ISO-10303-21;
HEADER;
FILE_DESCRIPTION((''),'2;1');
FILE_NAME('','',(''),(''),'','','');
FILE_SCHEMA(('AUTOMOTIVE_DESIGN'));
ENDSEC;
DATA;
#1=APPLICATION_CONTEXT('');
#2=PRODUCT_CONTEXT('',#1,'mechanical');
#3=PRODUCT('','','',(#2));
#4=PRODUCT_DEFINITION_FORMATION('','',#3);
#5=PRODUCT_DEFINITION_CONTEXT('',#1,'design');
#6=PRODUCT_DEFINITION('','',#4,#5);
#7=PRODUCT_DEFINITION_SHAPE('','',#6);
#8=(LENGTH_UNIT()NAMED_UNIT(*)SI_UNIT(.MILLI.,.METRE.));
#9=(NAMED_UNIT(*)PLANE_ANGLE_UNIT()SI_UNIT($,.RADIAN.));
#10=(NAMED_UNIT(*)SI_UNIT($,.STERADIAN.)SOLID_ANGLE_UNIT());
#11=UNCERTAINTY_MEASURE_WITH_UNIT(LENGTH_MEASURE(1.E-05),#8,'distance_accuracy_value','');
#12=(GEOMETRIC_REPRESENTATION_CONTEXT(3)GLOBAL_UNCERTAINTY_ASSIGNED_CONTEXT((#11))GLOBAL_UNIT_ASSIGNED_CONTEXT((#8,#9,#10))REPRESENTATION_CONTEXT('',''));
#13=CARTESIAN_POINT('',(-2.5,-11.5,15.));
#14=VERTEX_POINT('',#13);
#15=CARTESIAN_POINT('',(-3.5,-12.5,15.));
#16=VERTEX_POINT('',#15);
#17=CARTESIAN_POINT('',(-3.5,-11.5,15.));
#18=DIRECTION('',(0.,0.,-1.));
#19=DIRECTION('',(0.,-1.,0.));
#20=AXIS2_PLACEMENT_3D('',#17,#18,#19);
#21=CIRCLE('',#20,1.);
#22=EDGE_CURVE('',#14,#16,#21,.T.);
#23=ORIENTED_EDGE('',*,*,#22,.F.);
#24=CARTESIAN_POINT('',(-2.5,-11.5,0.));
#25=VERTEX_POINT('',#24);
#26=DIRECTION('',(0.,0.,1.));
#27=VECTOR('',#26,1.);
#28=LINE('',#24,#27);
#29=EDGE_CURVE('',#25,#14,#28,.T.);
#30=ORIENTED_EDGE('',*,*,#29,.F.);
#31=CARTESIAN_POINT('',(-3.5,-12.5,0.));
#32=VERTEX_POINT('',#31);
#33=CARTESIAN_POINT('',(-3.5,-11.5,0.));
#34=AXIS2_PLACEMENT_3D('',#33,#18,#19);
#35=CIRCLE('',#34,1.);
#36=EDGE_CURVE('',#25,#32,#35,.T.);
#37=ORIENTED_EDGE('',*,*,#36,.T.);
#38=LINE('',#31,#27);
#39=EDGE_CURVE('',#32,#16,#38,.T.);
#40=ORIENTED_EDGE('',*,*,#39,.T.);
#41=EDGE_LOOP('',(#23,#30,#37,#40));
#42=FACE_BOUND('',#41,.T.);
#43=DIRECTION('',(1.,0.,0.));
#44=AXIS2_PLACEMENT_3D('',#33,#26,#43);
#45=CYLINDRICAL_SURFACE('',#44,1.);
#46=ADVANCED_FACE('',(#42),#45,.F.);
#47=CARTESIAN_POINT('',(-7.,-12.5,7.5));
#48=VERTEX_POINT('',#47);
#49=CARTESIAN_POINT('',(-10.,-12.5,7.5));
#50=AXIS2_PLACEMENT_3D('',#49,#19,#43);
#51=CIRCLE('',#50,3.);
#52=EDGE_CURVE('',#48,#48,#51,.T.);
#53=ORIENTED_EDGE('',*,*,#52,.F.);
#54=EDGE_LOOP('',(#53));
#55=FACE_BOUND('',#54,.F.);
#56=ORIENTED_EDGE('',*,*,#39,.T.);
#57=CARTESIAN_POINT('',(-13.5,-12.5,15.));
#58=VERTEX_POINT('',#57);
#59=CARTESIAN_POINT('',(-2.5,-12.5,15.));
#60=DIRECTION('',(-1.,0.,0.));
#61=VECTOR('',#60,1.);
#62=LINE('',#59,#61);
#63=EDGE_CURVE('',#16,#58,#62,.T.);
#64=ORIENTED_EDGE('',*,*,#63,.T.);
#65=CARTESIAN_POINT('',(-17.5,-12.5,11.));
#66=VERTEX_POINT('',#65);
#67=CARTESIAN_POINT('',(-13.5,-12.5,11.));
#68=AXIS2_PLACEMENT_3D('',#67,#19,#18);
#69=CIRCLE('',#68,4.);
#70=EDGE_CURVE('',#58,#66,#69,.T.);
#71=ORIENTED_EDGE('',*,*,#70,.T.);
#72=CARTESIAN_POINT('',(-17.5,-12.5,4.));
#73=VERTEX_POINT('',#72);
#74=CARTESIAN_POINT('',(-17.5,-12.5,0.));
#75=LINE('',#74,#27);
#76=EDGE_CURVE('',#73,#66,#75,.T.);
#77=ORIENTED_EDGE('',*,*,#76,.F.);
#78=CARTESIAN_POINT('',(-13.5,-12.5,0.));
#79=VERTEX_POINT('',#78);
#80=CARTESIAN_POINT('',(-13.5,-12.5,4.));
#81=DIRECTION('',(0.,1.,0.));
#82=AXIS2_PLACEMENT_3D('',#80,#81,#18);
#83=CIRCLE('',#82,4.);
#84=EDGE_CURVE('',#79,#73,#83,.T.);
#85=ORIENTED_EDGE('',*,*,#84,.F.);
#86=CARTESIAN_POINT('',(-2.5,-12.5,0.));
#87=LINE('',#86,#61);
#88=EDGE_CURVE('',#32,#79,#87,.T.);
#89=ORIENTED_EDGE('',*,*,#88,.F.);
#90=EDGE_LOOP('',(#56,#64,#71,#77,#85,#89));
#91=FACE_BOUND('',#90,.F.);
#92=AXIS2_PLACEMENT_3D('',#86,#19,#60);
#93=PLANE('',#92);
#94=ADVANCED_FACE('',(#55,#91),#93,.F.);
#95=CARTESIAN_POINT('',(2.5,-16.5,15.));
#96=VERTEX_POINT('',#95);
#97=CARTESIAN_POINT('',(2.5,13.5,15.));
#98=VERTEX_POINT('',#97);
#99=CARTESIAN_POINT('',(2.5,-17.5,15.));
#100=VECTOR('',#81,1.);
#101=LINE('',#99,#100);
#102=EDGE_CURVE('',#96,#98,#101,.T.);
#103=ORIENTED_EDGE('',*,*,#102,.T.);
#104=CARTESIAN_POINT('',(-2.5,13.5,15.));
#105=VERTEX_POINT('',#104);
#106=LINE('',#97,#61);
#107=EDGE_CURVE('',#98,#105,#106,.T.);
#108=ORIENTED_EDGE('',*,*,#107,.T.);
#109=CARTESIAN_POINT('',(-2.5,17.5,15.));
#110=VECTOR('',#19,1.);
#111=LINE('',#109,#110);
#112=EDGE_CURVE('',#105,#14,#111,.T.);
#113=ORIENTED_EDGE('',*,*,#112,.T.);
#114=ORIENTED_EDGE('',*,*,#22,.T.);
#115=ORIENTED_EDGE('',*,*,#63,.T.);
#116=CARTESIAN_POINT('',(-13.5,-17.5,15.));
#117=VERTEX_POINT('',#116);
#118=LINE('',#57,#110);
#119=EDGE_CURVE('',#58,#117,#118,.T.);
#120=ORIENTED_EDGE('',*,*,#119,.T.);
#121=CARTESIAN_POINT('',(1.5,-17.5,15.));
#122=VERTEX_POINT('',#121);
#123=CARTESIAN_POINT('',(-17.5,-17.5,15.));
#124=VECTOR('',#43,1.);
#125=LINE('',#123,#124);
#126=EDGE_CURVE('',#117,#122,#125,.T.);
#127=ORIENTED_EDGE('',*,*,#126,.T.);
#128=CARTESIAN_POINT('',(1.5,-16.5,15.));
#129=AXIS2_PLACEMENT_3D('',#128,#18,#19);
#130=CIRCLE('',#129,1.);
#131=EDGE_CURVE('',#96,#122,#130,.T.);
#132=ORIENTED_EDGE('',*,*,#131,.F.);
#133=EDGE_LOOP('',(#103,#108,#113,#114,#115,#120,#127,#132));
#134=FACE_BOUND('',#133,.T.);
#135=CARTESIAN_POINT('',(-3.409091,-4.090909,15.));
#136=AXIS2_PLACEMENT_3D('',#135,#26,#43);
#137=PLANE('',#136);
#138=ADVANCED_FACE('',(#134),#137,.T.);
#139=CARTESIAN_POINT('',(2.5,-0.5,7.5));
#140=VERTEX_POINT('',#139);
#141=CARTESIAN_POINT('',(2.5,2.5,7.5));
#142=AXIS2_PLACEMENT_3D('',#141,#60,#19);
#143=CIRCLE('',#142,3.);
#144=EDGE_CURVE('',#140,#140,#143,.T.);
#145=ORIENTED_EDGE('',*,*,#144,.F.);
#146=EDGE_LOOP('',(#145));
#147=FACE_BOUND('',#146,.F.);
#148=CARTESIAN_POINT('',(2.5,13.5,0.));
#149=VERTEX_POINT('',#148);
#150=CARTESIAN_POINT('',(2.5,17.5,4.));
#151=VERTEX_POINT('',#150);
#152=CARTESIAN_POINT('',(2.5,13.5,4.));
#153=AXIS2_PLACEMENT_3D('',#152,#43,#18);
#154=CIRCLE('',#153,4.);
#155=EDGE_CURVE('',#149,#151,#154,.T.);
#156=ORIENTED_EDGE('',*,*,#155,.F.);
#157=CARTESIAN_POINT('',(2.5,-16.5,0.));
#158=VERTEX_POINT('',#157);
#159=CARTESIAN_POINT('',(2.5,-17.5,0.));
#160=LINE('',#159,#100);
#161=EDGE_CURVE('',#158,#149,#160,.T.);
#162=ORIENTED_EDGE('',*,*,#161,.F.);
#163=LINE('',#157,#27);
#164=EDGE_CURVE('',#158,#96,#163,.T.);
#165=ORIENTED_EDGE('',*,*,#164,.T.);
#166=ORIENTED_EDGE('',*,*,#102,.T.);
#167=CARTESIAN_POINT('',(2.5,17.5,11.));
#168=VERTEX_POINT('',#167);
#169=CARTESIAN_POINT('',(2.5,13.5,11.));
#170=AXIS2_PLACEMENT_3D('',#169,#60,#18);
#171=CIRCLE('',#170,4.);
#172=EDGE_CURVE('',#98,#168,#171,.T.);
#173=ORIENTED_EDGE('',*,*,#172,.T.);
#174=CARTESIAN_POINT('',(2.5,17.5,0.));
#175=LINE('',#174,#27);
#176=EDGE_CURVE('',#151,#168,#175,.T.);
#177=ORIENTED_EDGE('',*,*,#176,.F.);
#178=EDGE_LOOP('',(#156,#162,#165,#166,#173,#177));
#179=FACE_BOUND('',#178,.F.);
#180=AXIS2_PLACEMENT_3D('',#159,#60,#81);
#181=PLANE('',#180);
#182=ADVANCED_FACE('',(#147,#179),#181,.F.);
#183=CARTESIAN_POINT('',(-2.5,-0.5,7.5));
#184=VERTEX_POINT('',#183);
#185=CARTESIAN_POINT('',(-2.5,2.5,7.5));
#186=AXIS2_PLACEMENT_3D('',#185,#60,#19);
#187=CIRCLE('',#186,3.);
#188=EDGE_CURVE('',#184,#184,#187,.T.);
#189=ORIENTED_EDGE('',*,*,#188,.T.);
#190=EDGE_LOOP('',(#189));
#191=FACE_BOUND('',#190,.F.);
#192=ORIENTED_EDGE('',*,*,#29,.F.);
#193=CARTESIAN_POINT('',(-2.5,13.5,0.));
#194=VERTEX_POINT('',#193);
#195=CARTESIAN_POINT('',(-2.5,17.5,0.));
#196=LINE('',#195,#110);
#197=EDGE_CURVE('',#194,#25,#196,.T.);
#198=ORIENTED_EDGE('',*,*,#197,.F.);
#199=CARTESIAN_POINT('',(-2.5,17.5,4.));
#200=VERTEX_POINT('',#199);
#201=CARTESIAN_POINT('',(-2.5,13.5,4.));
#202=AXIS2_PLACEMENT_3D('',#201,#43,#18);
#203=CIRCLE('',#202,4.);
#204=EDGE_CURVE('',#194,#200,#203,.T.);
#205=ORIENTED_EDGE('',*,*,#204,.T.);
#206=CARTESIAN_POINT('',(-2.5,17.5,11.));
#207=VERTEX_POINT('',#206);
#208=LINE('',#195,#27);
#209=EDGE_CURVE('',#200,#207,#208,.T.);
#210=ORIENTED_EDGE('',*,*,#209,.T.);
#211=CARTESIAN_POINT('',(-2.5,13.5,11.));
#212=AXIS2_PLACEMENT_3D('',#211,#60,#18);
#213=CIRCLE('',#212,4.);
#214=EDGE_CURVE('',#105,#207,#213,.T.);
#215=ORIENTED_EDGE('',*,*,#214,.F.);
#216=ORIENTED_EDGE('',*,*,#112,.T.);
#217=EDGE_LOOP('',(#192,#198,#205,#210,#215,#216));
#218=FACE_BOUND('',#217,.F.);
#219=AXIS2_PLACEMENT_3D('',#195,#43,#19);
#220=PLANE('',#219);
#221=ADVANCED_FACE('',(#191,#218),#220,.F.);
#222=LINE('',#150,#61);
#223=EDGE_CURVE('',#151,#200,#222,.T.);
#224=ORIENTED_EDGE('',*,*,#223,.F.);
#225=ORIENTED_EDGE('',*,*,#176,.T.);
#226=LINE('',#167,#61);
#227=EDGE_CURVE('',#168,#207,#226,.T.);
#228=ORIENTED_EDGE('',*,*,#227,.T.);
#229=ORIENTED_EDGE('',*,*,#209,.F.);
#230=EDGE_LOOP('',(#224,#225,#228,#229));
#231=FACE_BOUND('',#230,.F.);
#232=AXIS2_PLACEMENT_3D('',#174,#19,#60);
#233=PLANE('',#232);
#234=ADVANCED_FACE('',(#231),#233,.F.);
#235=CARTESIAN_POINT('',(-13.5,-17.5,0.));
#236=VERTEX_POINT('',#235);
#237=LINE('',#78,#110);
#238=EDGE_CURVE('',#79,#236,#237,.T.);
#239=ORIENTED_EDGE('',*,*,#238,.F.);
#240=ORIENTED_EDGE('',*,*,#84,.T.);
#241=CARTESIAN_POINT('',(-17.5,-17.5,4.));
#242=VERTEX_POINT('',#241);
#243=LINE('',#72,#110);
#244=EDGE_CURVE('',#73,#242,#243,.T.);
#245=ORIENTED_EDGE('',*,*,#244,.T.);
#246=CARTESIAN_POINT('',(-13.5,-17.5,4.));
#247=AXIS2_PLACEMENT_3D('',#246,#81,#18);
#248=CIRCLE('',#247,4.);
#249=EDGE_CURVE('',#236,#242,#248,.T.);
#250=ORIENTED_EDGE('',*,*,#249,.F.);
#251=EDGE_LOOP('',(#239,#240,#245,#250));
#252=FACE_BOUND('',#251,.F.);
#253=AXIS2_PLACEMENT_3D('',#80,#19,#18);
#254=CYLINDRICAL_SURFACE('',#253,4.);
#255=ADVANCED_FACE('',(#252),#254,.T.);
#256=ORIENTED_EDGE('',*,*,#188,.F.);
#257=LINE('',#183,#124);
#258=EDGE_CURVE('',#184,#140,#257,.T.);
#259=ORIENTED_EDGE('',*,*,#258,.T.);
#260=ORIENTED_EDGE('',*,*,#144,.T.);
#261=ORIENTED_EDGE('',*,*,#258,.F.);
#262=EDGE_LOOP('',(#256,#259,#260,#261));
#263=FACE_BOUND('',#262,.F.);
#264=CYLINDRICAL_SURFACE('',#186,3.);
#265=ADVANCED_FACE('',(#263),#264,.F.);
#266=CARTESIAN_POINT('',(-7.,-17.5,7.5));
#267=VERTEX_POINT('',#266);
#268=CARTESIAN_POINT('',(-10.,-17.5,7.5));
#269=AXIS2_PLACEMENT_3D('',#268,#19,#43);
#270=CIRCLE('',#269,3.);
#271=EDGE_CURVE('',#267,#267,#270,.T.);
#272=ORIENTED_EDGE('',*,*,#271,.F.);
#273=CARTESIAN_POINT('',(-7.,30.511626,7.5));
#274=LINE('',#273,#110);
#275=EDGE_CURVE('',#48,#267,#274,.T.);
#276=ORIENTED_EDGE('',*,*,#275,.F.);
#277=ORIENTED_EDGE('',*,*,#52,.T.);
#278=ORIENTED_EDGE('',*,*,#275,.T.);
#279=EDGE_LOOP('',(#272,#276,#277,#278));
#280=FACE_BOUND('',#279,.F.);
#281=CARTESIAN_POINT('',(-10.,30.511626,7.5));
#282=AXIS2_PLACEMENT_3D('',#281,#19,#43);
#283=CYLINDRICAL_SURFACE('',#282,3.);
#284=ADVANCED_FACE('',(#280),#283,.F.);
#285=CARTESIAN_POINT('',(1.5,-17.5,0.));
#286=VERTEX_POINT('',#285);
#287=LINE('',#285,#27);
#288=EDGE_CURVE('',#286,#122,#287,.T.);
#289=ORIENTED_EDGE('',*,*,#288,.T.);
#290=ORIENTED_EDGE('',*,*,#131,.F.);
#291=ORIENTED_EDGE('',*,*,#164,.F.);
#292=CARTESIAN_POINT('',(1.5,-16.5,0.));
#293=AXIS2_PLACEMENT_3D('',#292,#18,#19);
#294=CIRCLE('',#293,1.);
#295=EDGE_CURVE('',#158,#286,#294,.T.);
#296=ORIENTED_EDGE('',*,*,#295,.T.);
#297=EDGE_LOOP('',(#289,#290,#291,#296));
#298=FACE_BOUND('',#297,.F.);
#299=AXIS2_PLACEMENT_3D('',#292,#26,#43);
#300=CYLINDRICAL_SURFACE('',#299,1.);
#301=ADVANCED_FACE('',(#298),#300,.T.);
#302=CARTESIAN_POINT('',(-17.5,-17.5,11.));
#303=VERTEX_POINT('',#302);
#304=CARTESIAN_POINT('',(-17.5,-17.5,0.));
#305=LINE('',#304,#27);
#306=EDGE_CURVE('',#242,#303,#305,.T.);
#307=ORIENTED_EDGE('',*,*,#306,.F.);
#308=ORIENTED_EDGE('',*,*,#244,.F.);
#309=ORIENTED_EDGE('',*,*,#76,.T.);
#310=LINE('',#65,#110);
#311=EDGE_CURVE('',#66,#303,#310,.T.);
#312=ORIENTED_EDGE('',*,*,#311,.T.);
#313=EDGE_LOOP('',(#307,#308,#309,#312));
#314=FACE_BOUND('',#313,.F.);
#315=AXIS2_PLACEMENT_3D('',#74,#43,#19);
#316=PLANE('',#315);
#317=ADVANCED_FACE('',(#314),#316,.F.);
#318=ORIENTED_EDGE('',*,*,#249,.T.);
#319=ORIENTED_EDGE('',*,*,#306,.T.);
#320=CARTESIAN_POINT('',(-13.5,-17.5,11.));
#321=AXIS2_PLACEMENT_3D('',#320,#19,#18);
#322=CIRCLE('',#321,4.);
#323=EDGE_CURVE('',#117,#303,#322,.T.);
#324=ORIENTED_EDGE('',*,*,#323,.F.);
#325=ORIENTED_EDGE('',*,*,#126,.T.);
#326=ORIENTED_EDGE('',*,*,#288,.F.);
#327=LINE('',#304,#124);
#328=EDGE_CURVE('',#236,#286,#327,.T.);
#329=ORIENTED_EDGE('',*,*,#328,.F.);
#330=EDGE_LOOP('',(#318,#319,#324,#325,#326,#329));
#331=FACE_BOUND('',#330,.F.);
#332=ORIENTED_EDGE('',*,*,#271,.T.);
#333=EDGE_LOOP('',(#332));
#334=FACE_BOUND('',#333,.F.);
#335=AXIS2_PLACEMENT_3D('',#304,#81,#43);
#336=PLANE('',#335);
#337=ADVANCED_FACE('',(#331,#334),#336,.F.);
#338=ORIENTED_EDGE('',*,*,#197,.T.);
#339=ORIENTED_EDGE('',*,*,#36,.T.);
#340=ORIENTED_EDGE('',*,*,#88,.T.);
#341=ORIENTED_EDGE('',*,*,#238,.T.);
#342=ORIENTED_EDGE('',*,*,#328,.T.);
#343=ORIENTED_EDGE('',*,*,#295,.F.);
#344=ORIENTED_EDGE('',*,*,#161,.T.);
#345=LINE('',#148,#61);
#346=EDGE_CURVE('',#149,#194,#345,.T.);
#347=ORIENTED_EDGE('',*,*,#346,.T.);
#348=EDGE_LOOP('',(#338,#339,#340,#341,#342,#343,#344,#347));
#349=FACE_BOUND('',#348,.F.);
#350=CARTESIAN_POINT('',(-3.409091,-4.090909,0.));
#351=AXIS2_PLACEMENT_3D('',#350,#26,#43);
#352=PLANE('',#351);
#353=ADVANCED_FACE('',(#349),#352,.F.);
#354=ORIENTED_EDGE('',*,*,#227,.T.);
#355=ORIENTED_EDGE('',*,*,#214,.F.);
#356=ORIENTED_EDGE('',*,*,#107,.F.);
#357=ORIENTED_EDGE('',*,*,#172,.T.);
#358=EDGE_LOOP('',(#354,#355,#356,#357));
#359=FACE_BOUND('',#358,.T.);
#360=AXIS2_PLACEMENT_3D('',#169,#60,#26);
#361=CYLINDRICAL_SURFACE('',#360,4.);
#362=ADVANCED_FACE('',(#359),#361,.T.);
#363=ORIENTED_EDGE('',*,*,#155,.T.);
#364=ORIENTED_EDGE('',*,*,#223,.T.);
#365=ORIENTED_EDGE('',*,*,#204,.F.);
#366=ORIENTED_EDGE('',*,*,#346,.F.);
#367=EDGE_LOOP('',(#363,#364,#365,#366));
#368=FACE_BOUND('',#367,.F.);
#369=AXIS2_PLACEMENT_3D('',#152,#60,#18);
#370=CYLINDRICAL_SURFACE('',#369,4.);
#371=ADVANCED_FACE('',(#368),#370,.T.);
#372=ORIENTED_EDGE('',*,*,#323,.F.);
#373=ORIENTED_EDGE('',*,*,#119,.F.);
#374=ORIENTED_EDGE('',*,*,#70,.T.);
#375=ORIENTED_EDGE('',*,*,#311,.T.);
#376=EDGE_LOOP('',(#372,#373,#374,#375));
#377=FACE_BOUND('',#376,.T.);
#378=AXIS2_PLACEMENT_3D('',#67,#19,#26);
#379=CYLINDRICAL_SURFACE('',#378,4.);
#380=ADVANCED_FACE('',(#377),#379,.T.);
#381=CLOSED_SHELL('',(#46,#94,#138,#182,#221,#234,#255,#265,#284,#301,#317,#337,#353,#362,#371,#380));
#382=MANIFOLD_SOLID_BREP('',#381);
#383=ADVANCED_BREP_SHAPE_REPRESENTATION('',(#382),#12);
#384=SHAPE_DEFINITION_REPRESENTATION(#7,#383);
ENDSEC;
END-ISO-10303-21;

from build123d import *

# Parameters (mm, degrees)
F5_DEPTH = 15
F0_R     = 3
F1_DEPTH = 5
F7_R     = 4
F8_R     = 1
F2_R     = 1
F3_D     = 6


with BuildPart() as f5:
    # F4 (on Top) → F5 (new body)
    with BuildSketch(Plane.XY):
        Polygon((-2.5, -17.5), (2.5, -17.5), (2.5, -12.5), (2.5, 17.5), (-2.5, 17.5), (-2.5, -12.5), (-17.5, -12.5), (-17.5, -17.5), align=None)
    extrude(amount=F5_DEPTH)

    # F0 (on face) → F1 (cut)
    with BuildSketch(Plane(origin=(-2.5, 0, 0), x_dir=(0, -1, 0), z_dir=(-1, 0, 0))):
        with Locations((-2.5, 7.5)):
            Circle(F0_R)
    extrude(amount=-F1_DEPTH, mode=Mode.SUBTRACT)

    # F7
    f7_edges = [f5.edges().sort_by_distance(p)[0] for p in [
        (0, 17.5, 15),
        (0, 17.5, 0),
        (-17.5, -15, 0),
        (-17.5, -15, 15),
    ]]
    fillet(f7_edges, radius=F7_R)

    # F8
    f8_edges = [f5.edges().sort_by_distance(p)[0] for p in [
        (-2.5, -12.5, 7.5),
    ]]
    fillet(f8_edges, radius=F8_R)

    # F2
    f2_edges = [f5.edges().sort_by_distance(p)[0] for p in [
        (2.5, -17.5, 7.5),
    ]]
    fillet(f2_edges, radius=F2_R)

    # F3 (through all)
    with Locations(Plane(origin=(0, -12.5, 0), x_dir=(-1, 0, 0), z_dir=(0, 1, 0))):
        with Locations((10, 7.5)):
            Hole(F3_D / 2)


solid = f5.part
